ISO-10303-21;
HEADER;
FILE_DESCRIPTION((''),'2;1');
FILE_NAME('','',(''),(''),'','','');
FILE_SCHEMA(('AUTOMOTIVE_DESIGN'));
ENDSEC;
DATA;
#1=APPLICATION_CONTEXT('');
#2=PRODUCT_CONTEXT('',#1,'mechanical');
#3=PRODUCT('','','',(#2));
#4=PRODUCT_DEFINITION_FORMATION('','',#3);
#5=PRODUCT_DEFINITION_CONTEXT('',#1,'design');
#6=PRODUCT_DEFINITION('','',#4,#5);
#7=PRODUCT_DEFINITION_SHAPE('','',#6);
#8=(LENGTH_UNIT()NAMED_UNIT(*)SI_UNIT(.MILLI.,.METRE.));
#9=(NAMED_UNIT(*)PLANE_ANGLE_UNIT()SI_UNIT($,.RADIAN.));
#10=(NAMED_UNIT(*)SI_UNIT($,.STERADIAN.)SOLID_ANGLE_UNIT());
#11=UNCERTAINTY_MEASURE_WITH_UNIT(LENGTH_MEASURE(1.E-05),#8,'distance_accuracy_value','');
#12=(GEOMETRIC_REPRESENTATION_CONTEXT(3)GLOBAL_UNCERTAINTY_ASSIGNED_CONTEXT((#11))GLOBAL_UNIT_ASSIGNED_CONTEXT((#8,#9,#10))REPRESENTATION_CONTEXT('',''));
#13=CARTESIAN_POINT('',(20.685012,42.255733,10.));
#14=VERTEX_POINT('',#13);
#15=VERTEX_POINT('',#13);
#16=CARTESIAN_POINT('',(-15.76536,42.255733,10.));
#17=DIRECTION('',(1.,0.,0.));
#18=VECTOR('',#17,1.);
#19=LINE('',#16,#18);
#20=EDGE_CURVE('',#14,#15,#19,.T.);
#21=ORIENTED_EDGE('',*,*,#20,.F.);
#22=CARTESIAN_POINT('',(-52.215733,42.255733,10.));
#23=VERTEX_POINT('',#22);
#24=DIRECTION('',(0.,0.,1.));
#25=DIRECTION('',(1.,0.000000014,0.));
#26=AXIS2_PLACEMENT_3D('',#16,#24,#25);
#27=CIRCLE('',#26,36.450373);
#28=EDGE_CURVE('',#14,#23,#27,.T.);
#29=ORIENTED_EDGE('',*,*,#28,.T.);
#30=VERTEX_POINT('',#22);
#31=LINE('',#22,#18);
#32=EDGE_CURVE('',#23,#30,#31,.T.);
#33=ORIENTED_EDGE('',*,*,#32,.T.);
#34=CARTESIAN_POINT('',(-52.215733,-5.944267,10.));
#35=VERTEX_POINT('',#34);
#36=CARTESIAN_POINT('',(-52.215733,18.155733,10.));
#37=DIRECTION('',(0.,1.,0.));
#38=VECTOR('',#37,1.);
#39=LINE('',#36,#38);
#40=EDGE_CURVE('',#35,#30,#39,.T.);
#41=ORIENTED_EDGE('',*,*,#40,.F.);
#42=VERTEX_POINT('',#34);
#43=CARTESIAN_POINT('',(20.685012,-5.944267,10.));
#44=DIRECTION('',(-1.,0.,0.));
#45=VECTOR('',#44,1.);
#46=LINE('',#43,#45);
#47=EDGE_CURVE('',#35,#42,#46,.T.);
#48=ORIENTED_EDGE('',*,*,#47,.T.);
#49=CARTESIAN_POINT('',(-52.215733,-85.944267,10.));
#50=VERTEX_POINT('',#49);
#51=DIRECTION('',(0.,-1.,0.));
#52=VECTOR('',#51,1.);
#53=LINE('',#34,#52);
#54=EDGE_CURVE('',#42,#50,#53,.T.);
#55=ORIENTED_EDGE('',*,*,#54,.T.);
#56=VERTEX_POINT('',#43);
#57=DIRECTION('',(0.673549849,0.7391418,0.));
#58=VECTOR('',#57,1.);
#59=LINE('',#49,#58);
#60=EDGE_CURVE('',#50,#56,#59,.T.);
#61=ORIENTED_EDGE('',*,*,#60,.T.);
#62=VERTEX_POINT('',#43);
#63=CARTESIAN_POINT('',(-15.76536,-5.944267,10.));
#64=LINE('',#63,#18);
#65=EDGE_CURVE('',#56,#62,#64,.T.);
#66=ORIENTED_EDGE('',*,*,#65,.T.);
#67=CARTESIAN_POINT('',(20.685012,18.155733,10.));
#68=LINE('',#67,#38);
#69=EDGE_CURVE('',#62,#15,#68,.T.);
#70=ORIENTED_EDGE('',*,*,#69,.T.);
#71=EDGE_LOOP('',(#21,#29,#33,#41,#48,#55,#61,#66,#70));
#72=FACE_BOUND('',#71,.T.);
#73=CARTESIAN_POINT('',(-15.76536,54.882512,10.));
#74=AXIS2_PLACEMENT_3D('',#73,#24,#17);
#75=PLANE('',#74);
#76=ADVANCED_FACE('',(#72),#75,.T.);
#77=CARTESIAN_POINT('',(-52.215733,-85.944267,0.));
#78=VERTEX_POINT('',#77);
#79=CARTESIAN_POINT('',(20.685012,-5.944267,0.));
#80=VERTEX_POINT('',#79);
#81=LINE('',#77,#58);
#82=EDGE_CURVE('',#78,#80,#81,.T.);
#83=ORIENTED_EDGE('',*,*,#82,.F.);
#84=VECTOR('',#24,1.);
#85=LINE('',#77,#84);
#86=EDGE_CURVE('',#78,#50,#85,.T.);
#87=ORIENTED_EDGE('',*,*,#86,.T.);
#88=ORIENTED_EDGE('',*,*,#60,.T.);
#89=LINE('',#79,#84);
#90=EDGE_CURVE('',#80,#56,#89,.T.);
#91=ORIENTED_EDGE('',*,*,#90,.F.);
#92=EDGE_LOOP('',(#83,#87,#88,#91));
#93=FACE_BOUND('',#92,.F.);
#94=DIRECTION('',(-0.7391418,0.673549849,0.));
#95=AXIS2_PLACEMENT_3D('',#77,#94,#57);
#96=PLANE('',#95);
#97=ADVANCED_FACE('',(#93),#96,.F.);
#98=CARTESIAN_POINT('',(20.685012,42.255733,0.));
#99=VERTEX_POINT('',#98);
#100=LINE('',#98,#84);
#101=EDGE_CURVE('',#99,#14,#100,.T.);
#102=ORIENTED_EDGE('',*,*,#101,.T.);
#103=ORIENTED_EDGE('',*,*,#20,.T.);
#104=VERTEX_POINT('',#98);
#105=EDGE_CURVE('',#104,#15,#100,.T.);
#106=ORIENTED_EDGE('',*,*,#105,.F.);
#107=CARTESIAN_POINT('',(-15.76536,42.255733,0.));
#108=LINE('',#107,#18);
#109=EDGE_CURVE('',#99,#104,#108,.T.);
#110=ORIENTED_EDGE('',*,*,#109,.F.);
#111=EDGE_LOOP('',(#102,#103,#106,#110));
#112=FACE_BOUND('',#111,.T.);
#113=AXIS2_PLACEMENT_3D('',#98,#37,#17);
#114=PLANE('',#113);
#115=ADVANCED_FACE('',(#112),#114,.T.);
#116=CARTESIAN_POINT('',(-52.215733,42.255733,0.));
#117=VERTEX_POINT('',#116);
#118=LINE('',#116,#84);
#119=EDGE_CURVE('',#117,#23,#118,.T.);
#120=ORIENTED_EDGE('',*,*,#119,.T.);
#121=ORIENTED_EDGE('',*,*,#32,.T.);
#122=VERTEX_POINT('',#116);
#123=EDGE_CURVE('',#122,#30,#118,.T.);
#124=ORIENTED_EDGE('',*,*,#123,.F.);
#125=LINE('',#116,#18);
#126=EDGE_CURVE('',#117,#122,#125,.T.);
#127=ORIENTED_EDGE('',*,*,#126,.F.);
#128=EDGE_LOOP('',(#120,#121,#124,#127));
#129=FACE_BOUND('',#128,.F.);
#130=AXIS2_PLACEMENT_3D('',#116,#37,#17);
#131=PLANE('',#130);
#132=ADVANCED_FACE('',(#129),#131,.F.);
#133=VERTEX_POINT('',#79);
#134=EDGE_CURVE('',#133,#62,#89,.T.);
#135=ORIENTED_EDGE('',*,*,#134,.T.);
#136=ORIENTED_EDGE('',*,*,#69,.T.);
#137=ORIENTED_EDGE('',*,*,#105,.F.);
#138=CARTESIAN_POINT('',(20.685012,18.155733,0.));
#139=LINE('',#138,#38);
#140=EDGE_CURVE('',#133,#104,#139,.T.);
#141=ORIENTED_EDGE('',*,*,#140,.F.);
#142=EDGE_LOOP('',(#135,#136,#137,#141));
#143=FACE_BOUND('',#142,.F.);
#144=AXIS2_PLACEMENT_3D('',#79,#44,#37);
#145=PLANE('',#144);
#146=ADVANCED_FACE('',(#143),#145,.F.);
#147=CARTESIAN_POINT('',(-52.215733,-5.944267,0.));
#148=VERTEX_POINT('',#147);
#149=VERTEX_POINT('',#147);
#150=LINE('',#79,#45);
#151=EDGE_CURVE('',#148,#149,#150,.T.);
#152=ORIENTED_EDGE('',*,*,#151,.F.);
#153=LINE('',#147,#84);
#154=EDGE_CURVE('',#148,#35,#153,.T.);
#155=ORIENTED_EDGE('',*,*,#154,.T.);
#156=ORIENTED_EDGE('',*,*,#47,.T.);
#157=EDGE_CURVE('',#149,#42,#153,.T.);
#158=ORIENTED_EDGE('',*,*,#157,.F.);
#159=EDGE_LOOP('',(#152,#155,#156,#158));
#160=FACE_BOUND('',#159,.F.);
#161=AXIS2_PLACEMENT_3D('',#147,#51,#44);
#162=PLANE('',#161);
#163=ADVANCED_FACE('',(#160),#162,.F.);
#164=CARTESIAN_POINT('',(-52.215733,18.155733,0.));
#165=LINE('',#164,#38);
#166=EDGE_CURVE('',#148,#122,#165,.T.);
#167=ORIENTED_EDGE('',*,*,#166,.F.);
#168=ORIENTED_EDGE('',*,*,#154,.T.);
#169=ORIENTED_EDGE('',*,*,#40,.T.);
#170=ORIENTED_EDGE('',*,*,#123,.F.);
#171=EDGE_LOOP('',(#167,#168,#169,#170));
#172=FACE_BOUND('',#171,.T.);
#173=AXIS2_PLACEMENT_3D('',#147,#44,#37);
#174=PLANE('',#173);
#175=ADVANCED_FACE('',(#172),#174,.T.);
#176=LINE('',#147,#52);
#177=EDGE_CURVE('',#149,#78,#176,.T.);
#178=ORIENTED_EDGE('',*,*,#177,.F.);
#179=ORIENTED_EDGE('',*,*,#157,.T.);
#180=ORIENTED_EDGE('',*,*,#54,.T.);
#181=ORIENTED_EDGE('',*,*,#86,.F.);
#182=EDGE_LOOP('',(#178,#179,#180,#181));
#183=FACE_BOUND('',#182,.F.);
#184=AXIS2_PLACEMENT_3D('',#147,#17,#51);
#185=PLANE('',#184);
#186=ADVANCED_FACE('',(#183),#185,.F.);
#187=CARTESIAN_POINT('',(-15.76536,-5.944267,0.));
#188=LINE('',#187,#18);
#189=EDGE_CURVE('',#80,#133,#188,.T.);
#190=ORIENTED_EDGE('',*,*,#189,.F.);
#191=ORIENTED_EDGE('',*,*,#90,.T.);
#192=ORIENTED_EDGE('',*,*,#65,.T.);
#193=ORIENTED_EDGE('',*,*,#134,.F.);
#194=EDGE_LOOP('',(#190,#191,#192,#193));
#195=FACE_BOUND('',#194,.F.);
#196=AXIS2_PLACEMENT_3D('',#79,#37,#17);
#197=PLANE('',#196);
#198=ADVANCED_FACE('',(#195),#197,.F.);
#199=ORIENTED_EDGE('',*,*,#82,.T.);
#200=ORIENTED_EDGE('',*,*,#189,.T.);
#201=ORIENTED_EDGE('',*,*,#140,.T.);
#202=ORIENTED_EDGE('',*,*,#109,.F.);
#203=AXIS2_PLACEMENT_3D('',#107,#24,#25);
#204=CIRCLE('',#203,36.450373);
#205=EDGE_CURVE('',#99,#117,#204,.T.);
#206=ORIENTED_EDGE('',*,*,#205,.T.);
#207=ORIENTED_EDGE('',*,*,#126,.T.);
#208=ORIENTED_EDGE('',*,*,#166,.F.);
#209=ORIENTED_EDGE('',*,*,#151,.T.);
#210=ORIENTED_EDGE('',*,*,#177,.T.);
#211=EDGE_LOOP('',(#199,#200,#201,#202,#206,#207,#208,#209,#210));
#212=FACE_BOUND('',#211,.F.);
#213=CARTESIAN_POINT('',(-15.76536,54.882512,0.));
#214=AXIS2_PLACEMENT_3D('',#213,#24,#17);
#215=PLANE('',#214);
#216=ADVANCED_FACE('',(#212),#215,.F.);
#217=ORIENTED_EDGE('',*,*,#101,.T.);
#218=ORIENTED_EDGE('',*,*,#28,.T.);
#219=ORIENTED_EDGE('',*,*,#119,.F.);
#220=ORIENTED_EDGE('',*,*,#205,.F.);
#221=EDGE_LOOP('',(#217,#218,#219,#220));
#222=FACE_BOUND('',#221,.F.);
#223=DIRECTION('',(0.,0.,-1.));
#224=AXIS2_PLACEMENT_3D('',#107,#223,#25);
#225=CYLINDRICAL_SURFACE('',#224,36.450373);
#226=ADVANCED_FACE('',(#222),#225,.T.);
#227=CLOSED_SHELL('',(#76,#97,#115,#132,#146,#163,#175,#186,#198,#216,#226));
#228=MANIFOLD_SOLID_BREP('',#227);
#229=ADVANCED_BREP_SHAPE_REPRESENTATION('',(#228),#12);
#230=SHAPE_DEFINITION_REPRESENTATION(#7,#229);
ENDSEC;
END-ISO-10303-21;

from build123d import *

# Parameters (mm, degrees)
F0_W     = 72.900745
F0_H     = 48.2
F1_DEPTH = 10


with BuildPart() as f1:
    # F0 (on Top) → F1 (new body)
    with BuildSketch(Plane.XY):
        with BuildLine():
            ThreePointArc((20.685012, 42.255733), (-15.765361, 78.706105), (-52.215733, 42.255733))
            Line((-52.215733, 42.255733), (20.685012, 42.255733))
        make_face()
        with Locations((-15.76536, 18.155733)):
            Rectangle(F0_W, F0_H)
        Polygon((20.685012, -5.944267), (-52.215733, -5.944267), (-52.215733, -85.944267), align=None)
    extrude(amount=F1_DEPTH)


solid = f1.part
